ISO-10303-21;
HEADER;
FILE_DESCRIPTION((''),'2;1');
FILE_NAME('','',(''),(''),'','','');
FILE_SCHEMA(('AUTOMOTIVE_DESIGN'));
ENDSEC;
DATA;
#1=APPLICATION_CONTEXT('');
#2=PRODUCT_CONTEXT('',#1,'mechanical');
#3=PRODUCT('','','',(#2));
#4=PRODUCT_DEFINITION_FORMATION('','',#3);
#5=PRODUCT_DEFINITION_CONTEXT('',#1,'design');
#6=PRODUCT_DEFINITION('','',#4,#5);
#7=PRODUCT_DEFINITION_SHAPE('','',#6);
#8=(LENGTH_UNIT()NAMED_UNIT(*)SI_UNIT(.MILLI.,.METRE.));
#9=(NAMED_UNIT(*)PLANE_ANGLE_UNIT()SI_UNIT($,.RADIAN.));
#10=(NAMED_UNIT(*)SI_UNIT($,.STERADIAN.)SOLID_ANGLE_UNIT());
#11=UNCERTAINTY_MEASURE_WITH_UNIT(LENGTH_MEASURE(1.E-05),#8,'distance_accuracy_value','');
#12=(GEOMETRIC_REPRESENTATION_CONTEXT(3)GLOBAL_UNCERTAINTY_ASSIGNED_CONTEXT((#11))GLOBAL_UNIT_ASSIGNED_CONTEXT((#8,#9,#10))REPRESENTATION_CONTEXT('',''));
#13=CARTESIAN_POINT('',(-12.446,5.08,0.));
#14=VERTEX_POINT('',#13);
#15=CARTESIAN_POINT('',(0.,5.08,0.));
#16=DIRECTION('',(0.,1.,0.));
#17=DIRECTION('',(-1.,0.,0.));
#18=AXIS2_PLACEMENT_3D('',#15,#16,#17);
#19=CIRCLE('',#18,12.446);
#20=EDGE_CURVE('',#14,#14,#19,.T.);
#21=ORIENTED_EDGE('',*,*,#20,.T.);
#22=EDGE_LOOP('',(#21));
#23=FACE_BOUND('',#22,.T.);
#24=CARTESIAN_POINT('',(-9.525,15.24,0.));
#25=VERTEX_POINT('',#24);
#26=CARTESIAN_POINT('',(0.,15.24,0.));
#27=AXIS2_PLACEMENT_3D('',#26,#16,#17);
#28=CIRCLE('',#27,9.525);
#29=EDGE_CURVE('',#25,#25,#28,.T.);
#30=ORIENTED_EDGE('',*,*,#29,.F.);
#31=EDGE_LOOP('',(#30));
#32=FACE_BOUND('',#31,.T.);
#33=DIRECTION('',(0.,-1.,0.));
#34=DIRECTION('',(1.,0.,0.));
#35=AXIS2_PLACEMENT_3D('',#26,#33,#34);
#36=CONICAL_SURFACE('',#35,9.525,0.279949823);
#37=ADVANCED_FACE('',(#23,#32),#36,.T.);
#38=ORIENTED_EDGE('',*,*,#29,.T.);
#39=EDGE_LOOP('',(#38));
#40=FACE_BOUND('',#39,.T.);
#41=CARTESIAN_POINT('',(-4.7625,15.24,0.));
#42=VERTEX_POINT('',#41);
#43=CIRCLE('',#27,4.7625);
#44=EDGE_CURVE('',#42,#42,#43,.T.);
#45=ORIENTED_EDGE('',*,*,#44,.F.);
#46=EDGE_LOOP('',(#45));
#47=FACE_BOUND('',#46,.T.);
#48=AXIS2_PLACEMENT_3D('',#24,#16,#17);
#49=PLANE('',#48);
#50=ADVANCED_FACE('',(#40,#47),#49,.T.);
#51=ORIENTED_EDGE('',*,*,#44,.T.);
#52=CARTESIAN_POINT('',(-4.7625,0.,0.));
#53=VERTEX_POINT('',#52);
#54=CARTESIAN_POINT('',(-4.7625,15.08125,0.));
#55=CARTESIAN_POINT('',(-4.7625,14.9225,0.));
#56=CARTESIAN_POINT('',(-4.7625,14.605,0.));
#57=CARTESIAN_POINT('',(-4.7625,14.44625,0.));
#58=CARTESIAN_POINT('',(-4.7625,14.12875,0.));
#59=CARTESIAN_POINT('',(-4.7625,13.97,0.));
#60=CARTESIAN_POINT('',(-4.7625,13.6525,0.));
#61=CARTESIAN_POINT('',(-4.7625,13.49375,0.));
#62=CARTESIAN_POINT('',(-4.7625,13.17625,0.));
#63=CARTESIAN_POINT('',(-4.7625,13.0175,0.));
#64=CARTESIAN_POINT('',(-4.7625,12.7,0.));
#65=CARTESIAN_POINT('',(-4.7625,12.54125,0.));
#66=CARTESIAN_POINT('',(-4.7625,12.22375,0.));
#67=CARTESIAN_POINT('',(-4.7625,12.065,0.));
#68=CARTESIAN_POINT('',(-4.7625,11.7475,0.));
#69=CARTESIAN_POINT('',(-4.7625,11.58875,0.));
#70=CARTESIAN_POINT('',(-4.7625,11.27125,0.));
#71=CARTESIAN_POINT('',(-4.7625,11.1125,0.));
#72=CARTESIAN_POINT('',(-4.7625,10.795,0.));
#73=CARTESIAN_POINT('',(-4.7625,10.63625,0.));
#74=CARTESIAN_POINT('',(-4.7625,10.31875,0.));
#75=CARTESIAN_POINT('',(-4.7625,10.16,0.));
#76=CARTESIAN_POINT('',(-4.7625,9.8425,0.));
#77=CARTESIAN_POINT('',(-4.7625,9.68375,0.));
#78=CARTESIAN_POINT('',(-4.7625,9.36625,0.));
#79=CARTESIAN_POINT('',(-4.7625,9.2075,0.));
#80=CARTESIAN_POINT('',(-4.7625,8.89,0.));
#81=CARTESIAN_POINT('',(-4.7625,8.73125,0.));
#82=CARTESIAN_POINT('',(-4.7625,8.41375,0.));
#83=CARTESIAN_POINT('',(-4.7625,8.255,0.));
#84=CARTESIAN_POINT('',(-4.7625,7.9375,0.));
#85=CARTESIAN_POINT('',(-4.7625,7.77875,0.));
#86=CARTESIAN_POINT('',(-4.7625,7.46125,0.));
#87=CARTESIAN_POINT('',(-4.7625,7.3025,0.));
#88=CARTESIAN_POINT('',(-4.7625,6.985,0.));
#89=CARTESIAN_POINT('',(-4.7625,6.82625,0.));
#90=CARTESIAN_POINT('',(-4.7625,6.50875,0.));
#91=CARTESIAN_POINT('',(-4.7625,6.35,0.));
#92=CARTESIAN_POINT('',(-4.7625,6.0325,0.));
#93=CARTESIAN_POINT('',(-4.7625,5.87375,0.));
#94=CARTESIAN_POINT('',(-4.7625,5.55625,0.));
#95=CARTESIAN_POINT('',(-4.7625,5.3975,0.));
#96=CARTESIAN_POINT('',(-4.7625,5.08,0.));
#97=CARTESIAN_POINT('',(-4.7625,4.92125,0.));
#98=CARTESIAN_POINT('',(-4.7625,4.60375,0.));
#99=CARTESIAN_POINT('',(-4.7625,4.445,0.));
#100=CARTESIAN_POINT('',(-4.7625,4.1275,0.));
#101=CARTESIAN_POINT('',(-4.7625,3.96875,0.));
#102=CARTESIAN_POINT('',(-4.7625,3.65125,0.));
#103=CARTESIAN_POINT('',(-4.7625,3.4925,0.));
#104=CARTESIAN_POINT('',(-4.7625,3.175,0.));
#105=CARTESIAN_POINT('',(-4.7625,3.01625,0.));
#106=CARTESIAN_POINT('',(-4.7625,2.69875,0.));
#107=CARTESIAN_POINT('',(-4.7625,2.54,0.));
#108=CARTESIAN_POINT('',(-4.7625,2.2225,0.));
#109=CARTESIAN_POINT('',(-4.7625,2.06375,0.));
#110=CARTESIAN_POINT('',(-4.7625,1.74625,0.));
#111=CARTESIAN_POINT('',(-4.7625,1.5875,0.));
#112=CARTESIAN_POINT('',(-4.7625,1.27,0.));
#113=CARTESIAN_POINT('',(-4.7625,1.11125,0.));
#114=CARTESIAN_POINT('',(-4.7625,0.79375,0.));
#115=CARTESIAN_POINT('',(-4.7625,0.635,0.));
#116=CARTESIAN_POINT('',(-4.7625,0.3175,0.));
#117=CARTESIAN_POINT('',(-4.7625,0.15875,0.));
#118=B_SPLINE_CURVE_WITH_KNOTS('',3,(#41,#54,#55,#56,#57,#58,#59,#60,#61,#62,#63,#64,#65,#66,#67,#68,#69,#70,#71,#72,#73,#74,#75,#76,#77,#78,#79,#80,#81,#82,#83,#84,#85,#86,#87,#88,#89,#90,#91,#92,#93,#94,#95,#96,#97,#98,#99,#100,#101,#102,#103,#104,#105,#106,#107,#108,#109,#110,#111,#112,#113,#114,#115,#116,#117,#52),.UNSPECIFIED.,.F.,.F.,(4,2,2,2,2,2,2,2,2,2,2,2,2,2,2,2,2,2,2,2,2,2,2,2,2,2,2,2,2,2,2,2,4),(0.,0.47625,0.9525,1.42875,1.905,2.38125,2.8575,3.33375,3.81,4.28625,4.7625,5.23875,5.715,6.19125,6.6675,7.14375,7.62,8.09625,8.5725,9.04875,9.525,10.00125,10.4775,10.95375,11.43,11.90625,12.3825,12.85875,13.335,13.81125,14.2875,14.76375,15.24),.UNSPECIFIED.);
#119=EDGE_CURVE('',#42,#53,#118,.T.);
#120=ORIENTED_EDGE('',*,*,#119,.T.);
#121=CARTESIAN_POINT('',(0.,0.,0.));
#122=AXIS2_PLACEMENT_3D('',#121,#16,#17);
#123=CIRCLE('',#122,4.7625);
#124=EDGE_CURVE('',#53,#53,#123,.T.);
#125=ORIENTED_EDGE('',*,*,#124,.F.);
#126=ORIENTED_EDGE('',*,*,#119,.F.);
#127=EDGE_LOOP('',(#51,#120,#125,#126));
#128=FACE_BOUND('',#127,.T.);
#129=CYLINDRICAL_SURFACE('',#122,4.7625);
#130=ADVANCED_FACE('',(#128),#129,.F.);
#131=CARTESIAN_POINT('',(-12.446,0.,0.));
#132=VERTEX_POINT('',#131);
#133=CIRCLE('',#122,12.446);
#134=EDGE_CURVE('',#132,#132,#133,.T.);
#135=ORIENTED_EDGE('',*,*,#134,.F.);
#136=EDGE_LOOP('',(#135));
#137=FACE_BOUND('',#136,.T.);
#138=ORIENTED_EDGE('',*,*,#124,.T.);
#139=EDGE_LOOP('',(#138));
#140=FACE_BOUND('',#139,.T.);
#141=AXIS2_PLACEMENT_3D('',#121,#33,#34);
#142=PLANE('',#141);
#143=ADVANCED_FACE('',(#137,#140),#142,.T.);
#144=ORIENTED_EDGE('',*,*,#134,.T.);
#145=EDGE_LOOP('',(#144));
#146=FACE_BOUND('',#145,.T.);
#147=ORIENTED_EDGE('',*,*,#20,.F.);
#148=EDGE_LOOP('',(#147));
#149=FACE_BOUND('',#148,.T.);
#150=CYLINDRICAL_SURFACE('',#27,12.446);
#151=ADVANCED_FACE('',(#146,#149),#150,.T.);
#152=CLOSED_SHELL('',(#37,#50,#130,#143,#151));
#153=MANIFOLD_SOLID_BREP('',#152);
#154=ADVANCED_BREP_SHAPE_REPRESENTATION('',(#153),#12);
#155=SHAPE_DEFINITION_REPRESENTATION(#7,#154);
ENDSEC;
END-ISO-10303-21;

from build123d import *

# Parameters (mm, degrees)
CUT_EXTRUDE1_DEPTH      = 24.282255733
CUT_EXTRUDE1_DEPTH_BACK = 24.282255733
SKETCH2_R               = 4.7625


with BuildPart() as part:
    # Sketch1 → Revolve1 (revolve)
    with BuildSketch(Plane.XY):
        Polygon((0, 0), (-12.446, 0), (-12.446, 5.08), (-9.525, 15.24), (0, 15.24), align=None)
    revolve(axis=Axis((0, 15.24, 0), (0, -1, 0)))

    # Sketch2 → Cut-Extrude1 (cut, two sides: drawn at the far end of the back side and taken through both)
    with BuildSketch(Plane(origin=(0, 15.24, 0), x_dir=(1, 0, 0), z_dir=(0, 1, 0)).offset(-CUT_EXTRUDE1_DEPTH_BACK)):
        with Locations(Location((0, 0, 0), (0, 0, 180))):
            Circle(SKETCH2_R)
    extrude(amount=CUT_EXTRUDE1_DEPTH + CUT_EXTRUDE1_DEPTH_BACK, mode=Mode.SUBTRACT)


solid = part.part
